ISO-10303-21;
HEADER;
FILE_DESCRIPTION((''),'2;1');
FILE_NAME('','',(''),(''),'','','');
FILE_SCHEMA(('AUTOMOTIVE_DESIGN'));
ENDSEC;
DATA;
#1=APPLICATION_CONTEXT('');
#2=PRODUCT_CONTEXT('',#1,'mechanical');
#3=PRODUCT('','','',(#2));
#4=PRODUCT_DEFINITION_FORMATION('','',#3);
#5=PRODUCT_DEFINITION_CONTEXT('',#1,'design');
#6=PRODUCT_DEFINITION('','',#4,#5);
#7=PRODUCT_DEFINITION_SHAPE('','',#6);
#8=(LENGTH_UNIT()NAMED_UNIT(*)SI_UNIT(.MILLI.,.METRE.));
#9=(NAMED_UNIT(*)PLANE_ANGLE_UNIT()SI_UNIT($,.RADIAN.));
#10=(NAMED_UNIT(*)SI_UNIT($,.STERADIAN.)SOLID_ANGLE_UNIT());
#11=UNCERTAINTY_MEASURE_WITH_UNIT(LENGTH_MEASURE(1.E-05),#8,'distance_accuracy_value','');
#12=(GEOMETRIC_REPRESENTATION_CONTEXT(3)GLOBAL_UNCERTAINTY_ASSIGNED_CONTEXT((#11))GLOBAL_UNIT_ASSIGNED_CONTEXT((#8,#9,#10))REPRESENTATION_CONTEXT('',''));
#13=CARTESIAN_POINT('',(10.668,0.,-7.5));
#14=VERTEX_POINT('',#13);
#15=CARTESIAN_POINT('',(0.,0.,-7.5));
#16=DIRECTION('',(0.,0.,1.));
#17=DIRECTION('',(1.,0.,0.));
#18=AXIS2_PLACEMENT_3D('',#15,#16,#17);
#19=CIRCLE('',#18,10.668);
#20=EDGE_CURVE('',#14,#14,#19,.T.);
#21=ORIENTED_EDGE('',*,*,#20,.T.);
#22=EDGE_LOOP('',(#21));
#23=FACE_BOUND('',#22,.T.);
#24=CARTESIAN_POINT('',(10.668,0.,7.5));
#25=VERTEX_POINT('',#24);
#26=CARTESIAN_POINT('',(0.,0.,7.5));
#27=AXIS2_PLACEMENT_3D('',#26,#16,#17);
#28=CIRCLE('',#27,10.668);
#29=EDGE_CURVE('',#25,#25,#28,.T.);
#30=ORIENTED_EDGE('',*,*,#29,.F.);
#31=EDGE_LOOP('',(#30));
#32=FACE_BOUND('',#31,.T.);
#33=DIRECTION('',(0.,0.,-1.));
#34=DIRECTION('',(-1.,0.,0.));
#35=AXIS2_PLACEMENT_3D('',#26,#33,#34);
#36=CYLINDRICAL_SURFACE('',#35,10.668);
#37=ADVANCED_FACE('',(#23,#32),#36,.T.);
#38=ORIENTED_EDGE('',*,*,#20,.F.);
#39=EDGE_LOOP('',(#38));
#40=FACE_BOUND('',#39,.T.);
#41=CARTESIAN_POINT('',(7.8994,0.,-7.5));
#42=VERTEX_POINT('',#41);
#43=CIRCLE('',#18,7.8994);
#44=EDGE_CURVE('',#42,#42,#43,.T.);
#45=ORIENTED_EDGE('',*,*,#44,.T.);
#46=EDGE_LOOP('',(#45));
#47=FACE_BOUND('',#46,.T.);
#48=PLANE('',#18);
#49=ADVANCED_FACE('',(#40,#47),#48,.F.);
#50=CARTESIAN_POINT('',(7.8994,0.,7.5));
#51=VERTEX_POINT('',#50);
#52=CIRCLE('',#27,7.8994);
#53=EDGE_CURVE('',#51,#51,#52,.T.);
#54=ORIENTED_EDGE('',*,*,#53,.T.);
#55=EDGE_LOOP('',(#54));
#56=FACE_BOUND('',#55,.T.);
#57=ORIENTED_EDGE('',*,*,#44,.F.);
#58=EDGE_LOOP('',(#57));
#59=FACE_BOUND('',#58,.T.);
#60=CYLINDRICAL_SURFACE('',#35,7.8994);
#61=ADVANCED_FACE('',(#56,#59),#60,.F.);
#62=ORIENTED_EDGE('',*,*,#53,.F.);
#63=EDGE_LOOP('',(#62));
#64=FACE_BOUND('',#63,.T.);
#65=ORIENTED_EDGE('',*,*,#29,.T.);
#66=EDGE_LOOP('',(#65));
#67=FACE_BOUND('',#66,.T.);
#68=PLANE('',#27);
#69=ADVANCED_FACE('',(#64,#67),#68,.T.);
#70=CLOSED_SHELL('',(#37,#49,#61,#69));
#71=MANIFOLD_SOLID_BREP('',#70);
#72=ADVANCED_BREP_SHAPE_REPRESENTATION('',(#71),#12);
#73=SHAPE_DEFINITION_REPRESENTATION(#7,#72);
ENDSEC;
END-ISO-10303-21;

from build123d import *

# Parameters (mm, degrees)
SKETCH1_R           = 10.668
SKETCH1_R_2         = 7.8994
EXTRUDE_THIN1_DEPTH = 7.5


with BuildPart() as part:
    # Sketch1 → Extrude-Thin1 (new, symmetric)
    with BuildSketch(Plane.XY):
        Circle(SKETCH1_R)
        Circle(SKETCH1_R_2, mode=Mode.SUBTRACT)
    extrude(amount=EXTRUDE_THIN1_DEPTH, both=True)


solid = part.part
